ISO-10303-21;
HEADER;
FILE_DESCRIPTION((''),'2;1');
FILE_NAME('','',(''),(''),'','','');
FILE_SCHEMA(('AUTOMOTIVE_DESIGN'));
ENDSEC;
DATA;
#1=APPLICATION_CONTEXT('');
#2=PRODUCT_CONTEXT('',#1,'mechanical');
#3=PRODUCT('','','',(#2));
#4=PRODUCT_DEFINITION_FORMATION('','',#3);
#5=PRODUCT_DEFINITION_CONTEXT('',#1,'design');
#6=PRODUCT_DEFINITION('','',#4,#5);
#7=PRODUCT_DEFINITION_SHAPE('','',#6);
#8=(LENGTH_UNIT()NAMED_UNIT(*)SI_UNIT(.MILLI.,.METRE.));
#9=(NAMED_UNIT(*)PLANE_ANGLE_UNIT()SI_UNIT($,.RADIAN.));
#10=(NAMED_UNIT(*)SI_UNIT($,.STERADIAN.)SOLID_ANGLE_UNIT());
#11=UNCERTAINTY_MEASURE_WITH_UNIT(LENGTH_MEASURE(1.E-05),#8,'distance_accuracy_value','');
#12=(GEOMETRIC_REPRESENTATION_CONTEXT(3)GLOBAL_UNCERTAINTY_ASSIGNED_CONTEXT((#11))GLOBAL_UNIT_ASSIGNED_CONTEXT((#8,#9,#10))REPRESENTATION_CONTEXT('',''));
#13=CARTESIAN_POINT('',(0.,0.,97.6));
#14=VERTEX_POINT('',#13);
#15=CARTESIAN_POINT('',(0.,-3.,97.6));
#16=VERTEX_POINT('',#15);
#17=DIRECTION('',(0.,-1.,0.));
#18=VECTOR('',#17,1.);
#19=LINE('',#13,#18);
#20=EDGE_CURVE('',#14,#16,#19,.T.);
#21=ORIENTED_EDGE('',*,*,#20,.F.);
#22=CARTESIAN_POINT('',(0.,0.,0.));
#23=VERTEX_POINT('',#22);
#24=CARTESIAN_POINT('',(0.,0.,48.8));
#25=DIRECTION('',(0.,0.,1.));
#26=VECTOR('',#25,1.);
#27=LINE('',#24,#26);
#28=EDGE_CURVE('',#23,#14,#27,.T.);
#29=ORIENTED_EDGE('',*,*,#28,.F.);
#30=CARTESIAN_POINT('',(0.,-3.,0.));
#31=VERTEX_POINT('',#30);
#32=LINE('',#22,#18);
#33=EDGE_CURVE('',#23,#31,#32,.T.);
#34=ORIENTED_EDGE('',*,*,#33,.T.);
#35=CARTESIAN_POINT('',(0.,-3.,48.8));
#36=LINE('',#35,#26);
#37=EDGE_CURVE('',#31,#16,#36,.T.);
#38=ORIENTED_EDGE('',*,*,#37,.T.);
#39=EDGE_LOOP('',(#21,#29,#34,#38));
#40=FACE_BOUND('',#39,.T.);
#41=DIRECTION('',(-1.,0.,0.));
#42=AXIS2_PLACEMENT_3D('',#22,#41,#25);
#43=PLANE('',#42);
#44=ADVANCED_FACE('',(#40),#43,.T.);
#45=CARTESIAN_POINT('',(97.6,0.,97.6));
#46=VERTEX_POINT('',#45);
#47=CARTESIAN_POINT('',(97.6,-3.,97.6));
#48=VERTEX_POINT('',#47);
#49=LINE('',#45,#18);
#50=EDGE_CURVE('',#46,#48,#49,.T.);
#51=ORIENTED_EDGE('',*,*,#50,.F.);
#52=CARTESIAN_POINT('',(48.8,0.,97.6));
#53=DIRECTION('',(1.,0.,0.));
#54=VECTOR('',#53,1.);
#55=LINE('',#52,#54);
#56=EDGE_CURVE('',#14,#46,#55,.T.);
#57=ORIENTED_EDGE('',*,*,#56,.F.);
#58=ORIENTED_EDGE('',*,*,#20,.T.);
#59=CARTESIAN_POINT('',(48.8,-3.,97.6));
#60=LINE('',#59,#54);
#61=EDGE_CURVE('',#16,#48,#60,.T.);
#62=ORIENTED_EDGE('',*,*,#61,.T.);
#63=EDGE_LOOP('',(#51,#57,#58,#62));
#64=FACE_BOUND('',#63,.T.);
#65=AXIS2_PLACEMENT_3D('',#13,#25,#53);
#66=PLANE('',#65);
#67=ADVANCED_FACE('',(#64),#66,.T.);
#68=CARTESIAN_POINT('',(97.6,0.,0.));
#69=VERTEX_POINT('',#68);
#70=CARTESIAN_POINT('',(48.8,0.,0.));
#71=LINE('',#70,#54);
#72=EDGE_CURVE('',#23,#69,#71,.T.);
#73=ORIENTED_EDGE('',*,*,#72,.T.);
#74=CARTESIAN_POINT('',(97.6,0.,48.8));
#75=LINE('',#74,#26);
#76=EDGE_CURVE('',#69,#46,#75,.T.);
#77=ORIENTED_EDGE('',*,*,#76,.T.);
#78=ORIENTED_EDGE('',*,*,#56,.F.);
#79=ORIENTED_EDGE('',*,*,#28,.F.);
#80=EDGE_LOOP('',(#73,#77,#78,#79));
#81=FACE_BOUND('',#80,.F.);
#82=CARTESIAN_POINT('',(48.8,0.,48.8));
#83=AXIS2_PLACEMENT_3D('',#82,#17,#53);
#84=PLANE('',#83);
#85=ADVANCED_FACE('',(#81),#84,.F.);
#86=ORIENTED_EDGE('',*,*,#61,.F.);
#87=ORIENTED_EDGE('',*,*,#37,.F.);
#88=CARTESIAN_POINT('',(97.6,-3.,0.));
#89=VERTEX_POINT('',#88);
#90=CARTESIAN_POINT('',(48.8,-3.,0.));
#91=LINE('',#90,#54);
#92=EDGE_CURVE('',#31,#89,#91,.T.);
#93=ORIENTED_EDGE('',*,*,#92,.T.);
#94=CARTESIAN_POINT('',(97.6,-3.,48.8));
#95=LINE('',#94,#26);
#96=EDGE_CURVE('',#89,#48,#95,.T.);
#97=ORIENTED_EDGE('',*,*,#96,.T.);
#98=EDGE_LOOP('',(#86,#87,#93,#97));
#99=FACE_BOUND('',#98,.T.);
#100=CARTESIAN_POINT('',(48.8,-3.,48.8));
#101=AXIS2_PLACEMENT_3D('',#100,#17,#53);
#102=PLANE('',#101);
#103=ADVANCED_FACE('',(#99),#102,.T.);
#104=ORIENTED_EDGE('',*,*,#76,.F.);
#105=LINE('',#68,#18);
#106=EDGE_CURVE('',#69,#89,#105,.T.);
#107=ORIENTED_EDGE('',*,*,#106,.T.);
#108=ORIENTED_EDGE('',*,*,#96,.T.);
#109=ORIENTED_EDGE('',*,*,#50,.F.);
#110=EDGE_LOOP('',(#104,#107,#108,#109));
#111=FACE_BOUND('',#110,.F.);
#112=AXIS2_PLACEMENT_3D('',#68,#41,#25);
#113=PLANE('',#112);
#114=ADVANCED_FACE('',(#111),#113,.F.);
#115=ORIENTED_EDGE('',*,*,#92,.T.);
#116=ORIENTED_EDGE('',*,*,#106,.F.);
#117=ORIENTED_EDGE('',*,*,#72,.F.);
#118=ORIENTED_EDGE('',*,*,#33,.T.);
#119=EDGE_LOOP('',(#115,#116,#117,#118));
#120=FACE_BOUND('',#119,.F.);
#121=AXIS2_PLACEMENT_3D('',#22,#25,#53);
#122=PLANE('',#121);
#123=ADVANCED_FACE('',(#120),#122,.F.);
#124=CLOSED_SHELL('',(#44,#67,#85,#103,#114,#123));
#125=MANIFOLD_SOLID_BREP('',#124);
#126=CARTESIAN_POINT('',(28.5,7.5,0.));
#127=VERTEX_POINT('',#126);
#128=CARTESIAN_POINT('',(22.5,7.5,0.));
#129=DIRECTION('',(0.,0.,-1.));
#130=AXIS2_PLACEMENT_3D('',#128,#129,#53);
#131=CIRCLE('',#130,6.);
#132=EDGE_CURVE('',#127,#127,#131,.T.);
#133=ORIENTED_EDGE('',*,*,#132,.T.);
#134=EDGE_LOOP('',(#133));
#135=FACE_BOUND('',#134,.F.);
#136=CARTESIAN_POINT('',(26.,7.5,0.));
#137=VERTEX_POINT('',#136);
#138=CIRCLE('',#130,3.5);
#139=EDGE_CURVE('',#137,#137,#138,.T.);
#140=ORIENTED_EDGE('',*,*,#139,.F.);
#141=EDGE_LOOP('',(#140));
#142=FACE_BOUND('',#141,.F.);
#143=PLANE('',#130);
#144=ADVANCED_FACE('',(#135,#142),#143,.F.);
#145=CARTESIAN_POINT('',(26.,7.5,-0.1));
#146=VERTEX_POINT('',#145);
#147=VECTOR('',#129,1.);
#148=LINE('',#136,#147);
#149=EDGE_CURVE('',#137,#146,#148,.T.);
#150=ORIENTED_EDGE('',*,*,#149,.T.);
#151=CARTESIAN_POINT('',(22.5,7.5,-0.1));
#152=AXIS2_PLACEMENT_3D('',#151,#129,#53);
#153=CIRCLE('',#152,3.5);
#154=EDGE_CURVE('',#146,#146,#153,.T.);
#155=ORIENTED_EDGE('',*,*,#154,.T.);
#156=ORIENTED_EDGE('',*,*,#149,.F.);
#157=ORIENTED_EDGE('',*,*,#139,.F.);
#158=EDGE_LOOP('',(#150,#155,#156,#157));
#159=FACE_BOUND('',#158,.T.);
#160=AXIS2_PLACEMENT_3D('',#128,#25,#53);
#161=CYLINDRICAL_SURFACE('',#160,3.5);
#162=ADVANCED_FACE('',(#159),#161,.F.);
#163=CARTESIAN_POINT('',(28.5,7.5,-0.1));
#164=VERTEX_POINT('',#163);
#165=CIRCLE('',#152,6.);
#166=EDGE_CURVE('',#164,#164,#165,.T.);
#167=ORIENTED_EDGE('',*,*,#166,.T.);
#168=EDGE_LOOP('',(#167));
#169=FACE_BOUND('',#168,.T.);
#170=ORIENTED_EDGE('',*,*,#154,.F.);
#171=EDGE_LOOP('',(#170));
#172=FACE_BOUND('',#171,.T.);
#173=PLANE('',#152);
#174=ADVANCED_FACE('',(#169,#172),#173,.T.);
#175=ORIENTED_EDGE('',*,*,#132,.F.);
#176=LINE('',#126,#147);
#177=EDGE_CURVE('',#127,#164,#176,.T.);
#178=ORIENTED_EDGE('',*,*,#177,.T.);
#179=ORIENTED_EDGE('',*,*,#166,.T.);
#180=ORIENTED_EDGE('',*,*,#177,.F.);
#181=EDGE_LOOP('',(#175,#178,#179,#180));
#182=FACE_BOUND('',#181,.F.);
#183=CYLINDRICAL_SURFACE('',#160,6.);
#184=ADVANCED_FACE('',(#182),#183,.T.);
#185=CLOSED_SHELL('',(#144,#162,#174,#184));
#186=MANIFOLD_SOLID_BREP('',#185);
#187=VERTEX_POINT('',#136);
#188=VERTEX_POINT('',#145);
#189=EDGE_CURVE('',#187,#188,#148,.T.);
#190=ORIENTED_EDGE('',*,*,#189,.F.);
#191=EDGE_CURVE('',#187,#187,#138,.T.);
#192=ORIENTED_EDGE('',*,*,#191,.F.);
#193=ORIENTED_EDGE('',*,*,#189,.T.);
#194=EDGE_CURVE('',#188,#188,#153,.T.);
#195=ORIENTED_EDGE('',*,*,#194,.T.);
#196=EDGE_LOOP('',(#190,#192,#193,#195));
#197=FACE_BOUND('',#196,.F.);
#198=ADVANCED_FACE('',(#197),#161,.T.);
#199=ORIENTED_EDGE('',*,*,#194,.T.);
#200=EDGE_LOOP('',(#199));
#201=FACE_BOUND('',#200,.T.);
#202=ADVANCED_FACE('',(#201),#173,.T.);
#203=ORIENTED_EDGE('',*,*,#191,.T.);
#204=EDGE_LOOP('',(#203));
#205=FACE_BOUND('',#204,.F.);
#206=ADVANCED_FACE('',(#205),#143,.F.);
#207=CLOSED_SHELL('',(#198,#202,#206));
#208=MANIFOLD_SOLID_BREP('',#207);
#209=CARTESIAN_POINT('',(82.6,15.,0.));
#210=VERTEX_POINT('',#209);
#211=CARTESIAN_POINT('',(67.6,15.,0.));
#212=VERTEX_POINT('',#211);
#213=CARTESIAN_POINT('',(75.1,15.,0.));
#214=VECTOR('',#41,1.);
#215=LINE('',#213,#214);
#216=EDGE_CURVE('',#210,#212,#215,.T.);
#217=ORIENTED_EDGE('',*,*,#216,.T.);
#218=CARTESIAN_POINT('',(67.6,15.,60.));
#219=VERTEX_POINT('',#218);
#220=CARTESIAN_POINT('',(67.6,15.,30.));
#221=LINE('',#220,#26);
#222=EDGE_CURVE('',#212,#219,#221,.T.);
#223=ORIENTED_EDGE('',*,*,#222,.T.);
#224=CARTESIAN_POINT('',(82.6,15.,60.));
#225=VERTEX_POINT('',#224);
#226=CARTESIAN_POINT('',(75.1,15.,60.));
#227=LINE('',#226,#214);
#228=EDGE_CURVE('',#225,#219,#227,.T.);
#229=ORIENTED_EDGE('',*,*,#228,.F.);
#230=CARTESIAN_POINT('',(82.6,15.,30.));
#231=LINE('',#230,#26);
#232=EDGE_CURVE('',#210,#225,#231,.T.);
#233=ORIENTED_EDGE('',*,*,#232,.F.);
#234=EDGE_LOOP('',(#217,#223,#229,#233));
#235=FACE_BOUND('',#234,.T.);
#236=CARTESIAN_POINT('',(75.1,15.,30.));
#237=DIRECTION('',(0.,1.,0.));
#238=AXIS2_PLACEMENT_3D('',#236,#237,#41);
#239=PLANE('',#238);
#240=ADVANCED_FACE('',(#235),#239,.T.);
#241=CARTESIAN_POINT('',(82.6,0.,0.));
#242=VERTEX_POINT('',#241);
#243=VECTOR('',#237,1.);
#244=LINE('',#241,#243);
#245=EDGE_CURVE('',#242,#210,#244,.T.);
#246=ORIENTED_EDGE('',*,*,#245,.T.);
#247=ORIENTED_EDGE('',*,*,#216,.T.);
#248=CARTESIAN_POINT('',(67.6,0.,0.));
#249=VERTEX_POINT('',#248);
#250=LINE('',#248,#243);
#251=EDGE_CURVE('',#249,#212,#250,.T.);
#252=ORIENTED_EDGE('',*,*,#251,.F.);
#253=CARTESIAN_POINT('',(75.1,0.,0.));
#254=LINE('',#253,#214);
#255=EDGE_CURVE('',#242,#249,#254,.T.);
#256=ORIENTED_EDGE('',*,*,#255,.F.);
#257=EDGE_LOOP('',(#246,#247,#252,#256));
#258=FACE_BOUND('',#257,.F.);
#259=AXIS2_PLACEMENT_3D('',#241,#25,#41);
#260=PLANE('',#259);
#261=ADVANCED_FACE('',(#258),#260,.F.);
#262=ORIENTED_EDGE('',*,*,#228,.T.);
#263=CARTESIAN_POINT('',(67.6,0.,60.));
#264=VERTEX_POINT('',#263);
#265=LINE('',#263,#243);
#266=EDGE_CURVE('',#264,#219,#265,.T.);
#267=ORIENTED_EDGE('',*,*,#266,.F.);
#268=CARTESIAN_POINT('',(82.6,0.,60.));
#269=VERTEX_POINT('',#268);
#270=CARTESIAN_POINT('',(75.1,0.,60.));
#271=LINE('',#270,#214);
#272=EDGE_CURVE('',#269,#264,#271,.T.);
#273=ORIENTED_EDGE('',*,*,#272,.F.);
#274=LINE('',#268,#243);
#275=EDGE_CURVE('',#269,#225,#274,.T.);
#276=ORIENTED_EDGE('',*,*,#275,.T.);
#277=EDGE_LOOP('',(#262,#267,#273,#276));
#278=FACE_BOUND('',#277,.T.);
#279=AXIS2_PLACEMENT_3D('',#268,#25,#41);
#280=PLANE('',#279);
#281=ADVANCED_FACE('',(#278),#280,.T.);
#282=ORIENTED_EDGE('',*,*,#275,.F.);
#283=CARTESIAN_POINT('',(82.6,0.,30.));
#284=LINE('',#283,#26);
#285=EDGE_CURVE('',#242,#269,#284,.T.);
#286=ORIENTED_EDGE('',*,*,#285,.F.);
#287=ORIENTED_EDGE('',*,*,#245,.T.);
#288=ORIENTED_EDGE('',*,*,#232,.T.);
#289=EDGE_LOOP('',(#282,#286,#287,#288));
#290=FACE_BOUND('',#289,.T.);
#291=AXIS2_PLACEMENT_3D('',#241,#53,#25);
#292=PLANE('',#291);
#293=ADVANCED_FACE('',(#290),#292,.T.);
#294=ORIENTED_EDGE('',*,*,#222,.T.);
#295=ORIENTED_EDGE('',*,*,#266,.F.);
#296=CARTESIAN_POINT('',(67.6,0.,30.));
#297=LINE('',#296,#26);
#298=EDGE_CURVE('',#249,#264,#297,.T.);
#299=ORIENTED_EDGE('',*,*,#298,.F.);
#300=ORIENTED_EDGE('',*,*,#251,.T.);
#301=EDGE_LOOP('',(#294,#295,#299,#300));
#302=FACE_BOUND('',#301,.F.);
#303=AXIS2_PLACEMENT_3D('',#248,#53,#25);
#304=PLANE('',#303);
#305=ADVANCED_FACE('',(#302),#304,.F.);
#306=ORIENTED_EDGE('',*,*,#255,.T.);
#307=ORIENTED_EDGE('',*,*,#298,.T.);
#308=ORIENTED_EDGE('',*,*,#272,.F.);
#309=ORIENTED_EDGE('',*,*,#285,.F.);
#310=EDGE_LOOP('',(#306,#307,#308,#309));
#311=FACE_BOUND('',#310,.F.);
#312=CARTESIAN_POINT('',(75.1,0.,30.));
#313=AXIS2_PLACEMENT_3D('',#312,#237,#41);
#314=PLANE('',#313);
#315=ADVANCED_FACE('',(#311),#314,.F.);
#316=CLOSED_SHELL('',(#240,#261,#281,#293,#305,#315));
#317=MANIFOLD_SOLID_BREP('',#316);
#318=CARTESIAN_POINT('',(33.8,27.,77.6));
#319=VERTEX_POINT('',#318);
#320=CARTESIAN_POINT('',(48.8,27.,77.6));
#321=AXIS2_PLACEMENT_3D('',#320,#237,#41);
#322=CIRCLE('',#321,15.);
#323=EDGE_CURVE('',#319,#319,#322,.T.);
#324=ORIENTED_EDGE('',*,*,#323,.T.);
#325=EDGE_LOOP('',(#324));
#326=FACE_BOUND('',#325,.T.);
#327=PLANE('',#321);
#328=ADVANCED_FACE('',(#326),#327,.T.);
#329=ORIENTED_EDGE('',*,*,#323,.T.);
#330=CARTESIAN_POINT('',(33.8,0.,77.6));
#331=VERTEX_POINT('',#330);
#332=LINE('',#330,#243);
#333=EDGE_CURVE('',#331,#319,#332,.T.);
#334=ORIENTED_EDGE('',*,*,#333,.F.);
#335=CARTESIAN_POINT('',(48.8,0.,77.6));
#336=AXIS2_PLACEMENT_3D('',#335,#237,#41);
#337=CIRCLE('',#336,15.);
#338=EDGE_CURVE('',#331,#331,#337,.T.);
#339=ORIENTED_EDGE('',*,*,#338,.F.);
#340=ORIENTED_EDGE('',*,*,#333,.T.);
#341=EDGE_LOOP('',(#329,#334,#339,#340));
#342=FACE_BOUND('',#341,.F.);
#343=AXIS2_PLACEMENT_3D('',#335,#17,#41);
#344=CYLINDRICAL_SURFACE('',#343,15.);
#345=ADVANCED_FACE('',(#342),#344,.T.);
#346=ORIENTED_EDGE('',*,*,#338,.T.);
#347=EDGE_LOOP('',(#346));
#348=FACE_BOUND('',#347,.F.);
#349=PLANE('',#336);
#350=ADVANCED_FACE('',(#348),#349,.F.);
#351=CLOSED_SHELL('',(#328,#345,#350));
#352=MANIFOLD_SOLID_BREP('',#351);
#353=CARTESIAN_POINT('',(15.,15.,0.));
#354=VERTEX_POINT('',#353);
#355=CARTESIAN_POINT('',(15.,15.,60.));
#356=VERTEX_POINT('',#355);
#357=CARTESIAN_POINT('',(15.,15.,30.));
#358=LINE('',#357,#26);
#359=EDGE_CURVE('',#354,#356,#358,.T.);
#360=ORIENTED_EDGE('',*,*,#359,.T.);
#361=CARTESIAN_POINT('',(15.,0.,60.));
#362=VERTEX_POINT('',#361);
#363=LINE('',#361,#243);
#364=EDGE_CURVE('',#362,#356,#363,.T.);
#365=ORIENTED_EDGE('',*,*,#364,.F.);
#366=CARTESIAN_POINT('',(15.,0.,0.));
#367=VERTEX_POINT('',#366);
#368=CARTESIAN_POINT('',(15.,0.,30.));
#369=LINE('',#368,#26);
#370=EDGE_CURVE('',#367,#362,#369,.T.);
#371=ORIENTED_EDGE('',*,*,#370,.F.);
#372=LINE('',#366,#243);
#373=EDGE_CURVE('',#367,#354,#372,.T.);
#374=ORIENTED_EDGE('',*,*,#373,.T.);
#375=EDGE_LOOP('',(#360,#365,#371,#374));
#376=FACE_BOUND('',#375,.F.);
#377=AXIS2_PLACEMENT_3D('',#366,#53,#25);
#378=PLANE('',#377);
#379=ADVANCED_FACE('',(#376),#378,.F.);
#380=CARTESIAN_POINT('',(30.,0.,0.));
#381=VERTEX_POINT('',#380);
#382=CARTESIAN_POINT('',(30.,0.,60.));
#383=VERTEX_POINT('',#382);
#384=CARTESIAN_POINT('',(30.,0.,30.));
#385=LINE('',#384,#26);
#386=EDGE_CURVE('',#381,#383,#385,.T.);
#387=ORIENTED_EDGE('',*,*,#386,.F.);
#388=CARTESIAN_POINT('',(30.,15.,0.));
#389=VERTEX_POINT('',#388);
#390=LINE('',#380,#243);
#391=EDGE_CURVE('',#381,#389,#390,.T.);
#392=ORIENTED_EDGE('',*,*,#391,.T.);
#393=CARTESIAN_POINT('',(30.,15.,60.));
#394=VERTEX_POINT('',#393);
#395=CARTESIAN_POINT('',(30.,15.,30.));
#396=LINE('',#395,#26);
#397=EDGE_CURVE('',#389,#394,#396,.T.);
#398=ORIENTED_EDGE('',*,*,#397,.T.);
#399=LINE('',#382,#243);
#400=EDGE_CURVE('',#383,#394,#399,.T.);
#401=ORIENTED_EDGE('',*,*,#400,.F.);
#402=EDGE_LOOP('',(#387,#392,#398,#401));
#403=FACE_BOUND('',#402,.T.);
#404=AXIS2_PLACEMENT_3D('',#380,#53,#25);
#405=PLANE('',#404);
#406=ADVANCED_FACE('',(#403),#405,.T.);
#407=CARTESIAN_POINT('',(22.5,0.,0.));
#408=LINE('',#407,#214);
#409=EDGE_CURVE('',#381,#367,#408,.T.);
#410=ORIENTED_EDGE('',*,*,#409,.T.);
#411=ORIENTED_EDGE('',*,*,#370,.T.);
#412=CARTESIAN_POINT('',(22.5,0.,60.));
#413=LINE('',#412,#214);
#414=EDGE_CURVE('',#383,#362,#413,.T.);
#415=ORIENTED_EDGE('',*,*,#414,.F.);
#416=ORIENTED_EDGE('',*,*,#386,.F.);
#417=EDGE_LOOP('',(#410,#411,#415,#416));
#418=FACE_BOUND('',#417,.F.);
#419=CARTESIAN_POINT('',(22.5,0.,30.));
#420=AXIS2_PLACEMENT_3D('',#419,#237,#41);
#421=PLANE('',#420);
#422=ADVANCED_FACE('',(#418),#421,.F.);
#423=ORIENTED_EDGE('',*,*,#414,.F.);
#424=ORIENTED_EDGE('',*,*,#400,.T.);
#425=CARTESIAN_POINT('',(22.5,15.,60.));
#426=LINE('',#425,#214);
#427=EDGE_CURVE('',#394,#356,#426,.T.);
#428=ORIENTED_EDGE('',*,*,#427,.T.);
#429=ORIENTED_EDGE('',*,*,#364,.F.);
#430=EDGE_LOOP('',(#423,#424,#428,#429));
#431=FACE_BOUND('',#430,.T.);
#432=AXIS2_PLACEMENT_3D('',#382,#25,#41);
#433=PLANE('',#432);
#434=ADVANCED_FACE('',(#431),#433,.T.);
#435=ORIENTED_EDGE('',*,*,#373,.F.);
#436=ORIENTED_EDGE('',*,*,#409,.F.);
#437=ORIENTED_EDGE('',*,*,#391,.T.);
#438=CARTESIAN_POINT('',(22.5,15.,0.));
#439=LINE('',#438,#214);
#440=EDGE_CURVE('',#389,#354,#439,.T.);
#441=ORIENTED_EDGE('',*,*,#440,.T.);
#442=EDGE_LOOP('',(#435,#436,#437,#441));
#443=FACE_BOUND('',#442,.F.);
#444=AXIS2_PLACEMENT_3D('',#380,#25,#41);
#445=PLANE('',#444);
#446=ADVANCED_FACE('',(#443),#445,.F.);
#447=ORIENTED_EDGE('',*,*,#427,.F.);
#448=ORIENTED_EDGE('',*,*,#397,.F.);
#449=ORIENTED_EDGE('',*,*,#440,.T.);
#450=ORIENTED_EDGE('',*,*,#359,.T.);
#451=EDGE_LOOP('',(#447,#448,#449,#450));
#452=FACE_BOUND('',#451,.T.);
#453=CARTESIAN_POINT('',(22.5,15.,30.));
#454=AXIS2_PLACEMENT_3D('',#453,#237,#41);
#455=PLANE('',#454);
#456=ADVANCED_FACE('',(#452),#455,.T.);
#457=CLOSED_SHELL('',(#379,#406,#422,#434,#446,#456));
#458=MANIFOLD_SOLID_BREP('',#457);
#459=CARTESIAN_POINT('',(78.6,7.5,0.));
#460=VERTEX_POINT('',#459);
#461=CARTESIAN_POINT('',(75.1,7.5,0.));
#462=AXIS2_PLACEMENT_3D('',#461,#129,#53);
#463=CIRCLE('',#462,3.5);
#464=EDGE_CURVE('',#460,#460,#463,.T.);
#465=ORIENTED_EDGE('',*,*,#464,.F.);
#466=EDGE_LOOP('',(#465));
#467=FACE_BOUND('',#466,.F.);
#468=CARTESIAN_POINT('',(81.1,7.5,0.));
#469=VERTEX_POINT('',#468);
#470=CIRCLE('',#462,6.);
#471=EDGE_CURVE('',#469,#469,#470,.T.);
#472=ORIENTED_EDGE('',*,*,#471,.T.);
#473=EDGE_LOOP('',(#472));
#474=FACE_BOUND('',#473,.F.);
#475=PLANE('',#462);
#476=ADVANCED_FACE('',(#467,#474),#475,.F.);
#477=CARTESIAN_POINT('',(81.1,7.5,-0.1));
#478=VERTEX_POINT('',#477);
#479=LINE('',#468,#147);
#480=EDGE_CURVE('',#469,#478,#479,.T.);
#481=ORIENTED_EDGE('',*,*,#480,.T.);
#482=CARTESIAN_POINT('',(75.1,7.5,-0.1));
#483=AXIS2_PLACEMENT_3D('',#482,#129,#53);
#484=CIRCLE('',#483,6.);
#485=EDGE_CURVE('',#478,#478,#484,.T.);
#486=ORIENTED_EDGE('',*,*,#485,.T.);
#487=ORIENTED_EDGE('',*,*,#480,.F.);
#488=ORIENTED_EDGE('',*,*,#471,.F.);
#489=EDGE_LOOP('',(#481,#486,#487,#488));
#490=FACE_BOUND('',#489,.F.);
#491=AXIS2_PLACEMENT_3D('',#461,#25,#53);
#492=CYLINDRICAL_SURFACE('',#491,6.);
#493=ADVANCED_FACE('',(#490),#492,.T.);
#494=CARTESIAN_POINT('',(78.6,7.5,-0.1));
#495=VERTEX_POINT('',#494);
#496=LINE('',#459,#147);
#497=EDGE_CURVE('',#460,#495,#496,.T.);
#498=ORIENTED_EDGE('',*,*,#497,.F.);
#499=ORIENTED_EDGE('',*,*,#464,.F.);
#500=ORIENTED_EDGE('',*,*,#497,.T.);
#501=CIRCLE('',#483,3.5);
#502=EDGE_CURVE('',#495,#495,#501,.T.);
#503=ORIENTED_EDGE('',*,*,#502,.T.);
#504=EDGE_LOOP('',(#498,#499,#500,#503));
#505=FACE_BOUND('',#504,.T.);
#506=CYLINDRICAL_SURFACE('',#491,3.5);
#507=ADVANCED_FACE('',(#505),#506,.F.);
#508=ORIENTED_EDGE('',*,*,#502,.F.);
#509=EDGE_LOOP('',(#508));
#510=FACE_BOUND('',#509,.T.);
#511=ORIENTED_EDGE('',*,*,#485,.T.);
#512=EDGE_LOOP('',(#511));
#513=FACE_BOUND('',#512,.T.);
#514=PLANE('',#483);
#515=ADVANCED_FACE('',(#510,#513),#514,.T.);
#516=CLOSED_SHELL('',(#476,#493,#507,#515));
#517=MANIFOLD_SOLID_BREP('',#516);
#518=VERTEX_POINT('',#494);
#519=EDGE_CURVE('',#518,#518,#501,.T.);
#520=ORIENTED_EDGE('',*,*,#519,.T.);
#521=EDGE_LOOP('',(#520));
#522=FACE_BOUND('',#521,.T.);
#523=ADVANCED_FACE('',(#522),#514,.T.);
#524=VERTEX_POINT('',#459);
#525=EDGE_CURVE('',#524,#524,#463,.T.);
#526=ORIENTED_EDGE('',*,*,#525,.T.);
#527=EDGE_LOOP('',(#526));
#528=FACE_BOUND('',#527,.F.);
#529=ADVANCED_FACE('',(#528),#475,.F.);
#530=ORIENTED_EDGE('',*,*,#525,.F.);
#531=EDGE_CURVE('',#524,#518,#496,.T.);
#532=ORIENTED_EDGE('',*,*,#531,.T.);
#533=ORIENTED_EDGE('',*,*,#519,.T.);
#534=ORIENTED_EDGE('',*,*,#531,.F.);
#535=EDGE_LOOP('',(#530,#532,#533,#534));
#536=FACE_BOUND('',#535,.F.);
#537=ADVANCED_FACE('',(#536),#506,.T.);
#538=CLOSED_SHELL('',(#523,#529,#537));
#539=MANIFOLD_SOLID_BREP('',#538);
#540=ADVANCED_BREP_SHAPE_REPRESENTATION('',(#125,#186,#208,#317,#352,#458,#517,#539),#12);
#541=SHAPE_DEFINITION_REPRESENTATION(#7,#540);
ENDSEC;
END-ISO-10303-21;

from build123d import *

# Parameters (mm, degrees)
F0_W      = 97.6
F0_H      = 97.6
F1_DEPTH  = 3
F2_W      = 15
F2_H      = 60
F3_DEPTH  = 15
F4_R      = 6
F4_R_2    = 3.5
F5_DEPTH  = 0.1
F6_R      = 6
F6_R_2    = 3.5
F7_DEPTH  = 0.1
F8_R      = 3.5
F9_DEPTH  = 0.1
F10_R     = 3.5
F11_DEPTH = 0.1
F12_R     = 15
F13_DEPTH = 27


with BuildPart() as f1:
    # F0 (on Front) → F1 (new body)
    with BuildSketch(Plane.XZ):
        with Locations((48.8, 48.8)):
            Rectangle(F0_W, F0_H)
    extrude(amount=F1_DEPTH)


with BuildPart() as f3:
    # F2 (on face) → F3 (new body)
    with BuildSketch(Plane(origin=(0, 0, 0), x_dir=(-1, 0, 0), z_dir=(0, 1, 0))):
        with Locations((-22.5, 30)):
            Rectangle(F2_W, F2_H)
        with Locations((-75.1, 30)):
            Rectangle(F2_W, F2_H)
    extrude(amount=F3_DEPTH)


with BuildPart() as f5:
    # F4 (on face) → F5 (new body)
    with BuildSketch(Plane(origin=(0, 0, 0), x_dir=(1, 0, 0), z_dir=(0, 0, -1))):
        with Locations((22.5, -7.5)):
            Circle(F4_R)
        with Locations((22.5, -7.5)):
            Circle(F4_R_2, mode=Mode.SUBTRACT)
    extrude(amount=F5_DEPTH)


with BuildPart() as f7:
    # F6 (on face) → F7 (new body)
    with BuildSketch(Plane(origin=(0, 0, 0), x_dir=(1, 0, 0), z_dir=(0, 0, -1))):
        with Locations((75.1, -7.5)):
            Circle(F6_R)
        with Locations((75.1, -7.5)):
            Circle(F6_R_2, mode=Mode.SUBTRACT)
    extrude(amount=F7_DEPTH)


with BuildPart() as f9:
    # F8 (on face) → F9 (new body)
    with BuildSketch(Plane(origin=(0, 0, 0), x_dir=(1, 0, 0), z_dir=(0, 0, -1))):
        with Locations((75.1, -7.5)):
            Circle(F8_R)
    extrude(amount=F9_DEPTH)


with BuildPart() as f11:
    # F10 (on face) → F11 (new body)
    with BuildSketch(Plane(origin=(0, 0, 0), x_dir=(1, 0, 0), z_dir=(0, 0, -1))):
        with Locations((22.5, -7.5)):
            Circle(F10_R)
    extrude(amount=F11_DEPTH)


with BuildPart() as f13:
    # F12 (on face) → F13 (new body)
    with BuildSketch(Plane(origin=(0, 0, 0), x_dir=(-1, 0, 0), z_dir=(0, 1, 0))):
        with Locations((-48.8, 77.6)):
            Circle(F12_R)
    extrude(amount=F13_DEPTH)


solid = Compound([f1.part, f3.part, f5.part, f7.part, f9.part, f11.part, f13.part])
